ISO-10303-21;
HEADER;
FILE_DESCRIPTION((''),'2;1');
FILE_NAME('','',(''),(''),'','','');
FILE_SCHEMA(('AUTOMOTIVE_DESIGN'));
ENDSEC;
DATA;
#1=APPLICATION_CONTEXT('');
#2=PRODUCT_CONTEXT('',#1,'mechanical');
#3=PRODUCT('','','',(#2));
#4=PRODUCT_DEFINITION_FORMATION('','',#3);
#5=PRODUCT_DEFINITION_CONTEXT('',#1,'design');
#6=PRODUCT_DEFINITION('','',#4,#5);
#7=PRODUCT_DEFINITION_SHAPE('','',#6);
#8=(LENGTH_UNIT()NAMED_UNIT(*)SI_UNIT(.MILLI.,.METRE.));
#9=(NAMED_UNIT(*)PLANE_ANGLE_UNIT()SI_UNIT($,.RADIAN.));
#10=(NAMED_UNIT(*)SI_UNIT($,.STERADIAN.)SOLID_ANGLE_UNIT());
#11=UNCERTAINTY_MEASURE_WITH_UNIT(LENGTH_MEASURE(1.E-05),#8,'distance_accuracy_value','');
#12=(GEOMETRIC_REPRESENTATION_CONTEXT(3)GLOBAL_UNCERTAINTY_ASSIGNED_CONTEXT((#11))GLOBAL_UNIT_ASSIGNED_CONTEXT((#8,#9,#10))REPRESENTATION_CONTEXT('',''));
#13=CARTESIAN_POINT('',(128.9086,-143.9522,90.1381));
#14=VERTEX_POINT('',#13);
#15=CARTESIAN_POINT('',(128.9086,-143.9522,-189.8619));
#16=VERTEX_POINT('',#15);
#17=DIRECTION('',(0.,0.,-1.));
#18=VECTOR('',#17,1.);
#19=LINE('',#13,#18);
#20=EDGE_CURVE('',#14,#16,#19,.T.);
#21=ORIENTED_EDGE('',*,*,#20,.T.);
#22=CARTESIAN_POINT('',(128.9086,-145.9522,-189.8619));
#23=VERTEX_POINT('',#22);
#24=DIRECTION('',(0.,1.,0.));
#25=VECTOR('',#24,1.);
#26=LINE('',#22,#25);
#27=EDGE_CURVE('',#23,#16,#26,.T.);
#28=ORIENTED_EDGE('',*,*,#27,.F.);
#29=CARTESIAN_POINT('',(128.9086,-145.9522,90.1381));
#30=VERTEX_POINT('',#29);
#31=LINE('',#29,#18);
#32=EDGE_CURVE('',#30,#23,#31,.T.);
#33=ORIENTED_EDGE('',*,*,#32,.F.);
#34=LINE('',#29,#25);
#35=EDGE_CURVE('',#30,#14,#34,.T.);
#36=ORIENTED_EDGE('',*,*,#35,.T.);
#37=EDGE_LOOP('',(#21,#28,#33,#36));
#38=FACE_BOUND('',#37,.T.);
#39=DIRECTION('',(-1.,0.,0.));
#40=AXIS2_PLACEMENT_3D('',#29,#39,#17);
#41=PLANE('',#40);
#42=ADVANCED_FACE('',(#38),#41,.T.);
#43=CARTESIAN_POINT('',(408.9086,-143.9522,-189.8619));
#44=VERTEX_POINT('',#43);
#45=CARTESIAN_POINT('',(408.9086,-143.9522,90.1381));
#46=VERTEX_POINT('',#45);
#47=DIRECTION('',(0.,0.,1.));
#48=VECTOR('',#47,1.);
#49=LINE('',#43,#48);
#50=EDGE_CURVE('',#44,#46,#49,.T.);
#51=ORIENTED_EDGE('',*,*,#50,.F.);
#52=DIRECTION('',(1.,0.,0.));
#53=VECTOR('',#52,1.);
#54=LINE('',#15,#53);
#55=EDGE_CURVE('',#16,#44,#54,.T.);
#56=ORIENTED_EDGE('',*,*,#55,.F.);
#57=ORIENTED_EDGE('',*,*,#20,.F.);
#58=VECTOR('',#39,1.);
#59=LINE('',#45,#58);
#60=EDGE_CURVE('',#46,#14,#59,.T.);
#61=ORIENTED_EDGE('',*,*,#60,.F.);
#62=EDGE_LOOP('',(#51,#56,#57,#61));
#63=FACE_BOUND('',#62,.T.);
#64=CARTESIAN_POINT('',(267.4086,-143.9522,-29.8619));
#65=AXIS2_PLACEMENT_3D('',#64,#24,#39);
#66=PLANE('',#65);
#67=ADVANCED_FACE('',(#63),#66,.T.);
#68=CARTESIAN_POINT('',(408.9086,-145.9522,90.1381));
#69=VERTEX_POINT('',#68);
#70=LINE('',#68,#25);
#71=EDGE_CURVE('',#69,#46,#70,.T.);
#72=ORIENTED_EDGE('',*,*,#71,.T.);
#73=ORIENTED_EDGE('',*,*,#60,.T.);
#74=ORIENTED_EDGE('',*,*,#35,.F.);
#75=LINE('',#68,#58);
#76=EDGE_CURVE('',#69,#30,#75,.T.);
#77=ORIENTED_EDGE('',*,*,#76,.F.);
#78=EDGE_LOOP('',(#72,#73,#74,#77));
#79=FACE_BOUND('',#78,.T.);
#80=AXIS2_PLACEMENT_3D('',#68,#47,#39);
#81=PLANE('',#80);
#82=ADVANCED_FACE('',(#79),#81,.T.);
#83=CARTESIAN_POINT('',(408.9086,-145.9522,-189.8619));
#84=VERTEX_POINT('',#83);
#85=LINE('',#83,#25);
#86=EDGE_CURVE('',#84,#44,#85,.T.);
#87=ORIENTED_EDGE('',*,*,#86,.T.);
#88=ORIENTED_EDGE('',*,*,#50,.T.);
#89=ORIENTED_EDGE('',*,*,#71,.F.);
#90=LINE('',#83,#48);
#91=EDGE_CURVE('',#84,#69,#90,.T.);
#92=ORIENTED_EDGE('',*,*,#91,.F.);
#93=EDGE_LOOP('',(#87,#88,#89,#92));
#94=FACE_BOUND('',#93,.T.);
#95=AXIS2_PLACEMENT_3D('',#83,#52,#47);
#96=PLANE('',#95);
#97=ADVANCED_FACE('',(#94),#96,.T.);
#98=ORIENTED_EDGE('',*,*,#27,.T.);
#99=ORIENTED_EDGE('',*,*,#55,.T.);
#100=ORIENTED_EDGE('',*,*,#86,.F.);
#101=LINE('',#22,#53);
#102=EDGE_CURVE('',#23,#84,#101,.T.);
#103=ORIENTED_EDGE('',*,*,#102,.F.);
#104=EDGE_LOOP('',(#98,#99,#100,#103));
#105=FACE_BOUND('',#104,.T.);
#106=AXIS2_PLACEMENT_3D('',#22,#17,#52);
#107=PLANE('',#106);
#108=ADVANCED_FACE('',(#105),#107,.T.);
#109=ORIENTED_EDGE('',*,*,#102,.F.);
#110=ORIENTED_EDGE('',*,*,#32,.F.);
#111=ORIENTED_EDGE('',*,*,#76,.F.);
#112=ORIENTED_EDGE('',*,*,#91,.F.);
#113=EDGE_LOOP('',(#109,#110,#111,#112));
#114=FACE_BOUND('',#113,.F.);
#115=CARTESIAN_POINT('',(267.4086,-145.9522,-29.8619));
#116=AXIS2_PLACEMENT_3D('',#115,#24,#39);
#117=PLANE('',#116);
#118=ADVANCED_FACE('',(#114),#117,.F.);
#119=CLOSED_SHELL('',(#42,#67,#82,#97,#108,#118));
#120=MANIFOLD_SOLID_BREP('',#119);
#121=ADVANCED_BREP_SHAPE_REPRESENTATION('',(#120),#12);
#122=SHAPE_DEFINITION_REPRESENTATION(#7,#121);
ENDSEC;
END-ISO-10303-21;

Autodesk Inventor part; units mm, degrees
ref_plane "YZ Plane" through (0, 0, 0) normal (1, 0, 0) x (0, 1, 0)
ref_plane "XZ Plane" through (0, 0, 0) normal (0, 1, 0) x (-1, 0, 0)
ref_plane "XY Plane" through (0, 0, 0) normal (0, 0, 1) x (1, 0, 0)
ref_plane "Work Plane1" through (267.4086, -145.9522, -29.8619) normal (0, 1, 0) x (-1, 0, 0)
sketch "Sketch1" plane through (267.4086, -145.9522, -29.8619) normal (0, 1, 0) x (-1, 0, 0)
  line L0 (138.5, -160) -> (-141.5, -160) projected
  line L1 (138.5, 120) -> (138.5, -160) projected
  line L2 (-141.5, 120) -> (138.5, 120) projected
  line L3 (-141.5, -160) -> (-141.5, 120) projected
  point P0 (267.4086, 29.8619)
extrude "Extrusion1" add sketch "Sketch1" along normal blind 2
properties part number "Window"
